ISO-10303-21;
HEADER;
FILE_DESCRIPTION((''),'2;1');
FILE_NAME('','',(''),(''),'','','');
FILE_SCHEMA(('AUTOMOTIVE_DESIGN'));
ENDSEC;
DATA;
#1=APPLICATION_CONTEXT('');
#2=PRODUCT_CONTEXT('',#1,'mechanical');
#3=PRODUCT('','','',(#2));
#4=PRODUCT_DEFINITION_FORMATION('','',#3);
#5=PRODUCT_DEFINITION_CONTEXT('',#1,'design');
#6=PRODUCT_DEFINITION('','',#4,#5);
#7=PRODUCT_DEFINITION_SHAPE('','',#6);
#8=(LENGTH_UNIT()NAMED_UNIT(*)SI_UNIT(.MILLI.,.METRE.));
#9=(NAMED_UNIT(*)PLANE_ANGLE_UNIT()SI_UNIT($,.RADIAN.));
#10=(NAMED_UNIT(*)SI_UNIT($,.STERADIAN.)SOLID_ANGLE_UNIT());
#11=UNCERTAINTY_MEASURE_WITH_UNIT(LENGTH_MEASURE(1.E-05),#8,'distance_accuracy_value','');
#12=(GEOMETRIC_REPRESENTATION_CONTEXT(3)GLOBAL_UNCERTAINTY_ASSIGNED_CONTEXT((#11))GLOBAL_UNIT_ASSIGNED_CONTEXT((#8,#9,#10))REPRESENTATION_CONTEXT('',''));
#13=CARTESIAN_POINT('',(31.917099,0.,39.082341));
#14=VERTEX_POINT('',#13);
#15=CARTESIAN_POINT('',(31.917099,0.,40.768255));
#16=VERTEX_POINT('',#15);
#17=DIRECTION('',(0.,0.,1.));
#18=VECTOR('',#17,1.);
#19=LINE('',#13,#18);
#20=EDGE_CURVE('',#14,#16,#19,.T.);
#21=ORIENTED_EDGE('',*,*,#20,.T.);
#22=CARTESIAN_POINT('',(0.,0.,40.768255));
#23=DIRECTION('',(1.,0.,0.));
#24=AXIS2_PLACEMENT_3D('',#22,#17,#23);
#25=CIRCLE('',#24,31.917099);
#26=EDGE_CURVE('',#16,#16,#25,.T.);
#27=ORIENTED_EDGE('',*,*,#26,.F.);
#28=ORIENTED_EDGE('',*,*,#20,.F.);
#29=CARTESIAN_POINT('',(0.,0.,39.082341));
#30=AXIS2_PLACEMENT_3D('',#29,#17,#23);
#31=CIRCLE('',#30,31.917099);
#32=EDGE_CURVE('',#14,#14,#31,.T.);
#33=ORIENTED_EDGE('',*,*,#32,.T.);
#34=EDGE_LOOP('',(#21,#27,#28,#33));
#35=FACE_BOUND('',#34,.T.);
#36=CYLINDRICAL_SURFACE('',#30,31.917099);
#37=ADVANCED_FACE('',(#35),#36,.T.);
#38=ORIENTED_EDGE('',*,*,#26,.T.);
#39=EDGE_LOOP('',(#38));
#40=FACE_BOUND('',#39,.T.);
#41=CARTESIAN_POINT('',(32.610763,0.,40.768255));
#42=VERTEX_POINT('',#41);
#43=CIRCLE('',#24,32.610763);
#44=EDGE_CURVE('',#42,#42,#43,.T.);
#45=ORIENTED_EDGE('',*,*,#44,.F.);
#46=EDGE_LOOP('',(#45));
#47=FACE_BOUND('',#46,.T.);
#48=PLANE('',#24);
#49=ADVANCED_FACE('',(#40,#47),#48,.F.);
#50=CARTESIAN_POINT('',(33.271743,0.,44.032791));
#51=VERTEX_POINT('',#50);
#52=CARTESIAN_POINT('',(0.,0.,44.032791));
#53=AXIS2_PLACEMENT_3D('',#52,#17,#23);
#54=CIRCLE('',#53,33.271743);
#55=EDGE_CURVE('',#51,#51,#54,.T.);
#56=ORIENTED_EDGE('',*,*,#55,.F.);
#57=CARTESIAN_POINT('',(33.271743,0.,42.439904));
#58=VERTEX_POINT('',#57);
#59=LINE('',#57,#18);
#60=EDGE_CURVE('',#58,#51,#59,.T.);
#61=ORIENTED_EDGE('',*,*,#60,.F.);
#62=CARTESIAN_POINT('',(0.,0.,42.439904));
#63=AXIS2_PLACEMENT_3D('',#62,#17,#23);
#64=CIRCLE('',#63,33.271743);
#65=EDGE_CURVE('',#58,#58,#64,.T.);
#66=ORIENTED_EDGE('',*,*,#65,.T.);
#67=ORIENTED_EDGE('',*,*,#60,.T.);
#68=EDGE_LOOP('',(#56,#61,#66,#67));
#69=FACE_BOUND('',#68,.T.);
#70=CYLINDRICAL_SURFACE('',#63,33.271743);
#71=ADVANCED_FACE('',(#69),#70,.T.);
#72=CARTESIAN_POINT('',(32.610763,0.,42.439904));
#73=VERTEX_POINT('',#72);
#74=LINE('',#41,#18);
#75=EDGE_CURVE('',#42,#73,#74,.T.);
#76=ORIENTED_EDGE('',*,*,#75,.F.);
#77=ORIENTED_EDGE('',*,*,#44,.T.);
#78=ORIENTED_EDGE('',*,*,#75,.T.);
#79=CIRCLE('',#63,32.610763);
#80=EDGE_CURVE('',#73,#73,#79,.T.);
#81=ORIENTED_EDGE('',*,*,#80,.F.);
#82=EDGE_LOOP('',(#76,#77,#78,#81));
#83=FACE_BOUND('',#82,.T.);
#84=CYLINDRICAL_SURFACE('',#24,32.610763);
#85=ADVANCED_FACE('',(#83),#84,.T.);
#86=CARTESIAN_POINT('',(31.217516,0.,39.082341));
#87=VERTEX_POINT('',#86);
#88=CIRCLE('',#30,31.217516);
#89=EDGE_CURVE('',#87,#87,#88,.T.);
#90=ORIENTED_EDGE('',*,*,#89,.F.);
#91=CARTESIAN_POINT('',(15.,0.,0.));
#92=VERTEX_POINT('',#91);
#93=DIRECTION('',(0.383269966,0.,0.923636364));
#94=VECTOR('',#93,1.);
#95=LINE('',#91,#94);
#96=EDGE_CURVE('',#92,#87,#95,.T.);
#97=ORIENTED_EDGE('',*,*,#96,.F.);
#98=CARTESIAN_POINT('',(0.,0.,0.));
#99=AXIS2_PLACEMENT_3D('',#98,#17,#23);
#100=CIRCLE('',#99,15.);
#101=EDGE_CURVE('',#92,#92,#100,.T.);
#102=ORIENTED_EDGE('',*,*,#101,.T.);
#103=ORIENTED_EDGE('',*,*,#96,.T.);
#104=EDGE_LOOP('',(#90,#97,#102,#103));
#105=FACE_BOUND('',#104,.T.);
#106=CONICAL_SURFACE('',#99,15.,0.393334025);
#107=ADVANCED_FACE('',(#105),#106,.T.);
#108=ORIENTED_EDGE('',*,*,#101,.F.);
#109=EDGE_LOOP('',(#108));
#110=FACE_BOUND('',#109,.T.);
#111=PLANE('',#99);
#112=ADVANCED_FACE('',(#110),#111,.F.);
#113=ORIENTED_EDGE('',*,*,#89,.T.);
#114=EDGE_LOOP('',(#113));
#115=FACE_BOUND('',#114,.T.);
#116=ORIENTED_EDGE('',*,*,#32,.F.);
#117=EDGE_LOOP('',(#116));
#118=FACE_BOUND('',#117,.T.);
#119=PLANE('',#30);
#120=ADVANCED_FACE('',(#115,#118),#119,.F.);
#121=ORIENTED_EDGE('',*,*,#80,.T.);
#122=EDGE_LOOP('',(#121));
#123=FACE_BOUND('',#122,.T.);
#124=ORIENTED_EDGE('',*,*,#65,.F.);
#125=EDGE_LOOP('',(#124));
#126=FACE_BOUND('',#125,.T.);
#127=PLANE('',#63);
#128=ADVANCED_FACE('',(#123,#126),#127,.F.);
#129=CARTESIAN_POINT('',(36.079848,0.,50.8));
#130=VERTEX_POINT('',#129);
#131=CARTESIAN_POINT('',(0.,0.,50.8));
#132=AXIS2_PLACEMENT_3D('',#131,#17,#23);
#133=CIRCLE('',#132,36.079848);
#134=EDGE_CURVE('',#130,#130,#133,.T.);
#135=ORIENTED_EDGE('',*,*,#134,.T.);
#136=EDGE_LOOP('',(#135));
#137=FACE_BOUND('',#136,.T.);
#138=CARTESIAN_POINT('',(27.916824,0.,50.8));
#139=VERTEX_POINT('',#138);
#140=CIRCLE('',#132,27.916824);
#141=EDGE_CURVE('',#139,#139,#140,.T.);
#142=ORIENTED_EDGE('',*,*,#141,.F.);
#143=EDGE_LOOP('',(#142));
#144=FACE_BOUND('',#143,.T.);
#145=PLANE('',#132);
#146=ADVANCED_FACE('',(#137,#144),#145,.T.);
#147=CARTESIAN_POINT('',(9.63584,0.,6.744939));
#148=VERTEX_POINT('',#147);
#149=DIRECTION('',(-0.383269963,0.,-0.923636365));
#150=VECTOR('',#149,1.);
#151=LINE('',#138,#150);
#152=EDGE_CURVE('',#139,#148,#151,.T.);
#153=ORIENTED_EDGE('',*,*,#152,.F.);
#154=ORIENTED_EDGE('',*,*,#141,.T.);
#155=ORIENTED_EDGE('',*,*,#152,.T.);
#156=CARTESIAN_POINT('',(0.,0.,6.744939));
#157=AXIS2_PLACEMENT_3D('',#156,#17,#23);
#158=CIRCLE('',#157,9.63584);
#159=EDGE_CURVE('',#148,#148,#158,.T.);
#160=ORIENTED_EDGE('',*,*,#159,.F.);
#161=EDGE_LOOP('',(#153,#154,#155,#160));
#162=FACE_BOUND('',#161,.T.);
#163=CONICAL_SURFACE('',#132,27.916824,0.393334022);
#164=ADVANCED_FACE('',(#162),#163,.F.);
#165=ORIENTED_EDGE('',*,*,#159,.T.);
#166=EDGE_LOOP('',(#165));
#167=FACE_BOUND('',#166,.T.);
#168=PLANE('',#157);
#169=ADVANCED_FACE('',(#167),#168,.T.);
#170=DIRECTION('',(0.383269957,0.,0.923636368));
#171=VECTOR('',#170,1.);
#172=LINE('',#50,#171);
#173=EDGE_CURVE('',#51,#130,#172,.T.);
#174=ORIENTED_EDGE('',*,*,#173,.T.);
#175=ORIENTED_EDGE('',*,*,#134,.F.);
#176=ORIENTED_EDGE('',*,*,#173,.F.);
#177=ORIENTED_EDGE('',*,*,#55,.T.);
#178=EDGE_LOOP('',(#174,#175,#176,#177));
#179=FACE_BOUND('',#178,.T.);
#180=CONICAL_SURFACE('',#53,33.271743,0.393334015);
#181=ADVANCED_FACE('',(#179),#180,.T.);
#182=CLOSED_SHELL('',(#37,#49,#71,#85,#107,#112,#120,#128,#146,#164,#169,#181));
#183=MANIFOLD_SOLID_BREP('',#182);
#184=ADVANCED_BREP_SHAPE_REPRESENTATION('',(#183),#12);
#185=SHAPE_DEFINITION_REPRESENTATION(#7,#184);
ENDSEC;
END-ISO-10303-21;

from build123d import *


with BuildPart() as f1:
    # F0 (on Front) → F1 (revolve)
    with BuildSketch(Plane.XZ):
        Polygon((0, 6.744939), (0, 0), (15, 0), (31.217516, 39.082341), (31.917099, 40.768255), (32.610763, 42.439904), (33.271743, 44.032791), (36.079848, 50.8), (27.916824, 50.8), (9.63584, 6.744939), align=None)
        Polygon((31.917099, 40.768255), (31.217516, 39.082341), (31.917099, 39.082341), align=None)
        Polygon((32.610763, 42.439904), (31.917099, 40.768255), (32.610763, 40.768255), align=None)
        Polygon((33.271743, 44.032791), (32.610763, 42.439904), (33.271743, 42.439904), align=None)
    revolve(axis=Axis((0, 0, 25.4), (0, 0, 1)))


solid = f1.part
